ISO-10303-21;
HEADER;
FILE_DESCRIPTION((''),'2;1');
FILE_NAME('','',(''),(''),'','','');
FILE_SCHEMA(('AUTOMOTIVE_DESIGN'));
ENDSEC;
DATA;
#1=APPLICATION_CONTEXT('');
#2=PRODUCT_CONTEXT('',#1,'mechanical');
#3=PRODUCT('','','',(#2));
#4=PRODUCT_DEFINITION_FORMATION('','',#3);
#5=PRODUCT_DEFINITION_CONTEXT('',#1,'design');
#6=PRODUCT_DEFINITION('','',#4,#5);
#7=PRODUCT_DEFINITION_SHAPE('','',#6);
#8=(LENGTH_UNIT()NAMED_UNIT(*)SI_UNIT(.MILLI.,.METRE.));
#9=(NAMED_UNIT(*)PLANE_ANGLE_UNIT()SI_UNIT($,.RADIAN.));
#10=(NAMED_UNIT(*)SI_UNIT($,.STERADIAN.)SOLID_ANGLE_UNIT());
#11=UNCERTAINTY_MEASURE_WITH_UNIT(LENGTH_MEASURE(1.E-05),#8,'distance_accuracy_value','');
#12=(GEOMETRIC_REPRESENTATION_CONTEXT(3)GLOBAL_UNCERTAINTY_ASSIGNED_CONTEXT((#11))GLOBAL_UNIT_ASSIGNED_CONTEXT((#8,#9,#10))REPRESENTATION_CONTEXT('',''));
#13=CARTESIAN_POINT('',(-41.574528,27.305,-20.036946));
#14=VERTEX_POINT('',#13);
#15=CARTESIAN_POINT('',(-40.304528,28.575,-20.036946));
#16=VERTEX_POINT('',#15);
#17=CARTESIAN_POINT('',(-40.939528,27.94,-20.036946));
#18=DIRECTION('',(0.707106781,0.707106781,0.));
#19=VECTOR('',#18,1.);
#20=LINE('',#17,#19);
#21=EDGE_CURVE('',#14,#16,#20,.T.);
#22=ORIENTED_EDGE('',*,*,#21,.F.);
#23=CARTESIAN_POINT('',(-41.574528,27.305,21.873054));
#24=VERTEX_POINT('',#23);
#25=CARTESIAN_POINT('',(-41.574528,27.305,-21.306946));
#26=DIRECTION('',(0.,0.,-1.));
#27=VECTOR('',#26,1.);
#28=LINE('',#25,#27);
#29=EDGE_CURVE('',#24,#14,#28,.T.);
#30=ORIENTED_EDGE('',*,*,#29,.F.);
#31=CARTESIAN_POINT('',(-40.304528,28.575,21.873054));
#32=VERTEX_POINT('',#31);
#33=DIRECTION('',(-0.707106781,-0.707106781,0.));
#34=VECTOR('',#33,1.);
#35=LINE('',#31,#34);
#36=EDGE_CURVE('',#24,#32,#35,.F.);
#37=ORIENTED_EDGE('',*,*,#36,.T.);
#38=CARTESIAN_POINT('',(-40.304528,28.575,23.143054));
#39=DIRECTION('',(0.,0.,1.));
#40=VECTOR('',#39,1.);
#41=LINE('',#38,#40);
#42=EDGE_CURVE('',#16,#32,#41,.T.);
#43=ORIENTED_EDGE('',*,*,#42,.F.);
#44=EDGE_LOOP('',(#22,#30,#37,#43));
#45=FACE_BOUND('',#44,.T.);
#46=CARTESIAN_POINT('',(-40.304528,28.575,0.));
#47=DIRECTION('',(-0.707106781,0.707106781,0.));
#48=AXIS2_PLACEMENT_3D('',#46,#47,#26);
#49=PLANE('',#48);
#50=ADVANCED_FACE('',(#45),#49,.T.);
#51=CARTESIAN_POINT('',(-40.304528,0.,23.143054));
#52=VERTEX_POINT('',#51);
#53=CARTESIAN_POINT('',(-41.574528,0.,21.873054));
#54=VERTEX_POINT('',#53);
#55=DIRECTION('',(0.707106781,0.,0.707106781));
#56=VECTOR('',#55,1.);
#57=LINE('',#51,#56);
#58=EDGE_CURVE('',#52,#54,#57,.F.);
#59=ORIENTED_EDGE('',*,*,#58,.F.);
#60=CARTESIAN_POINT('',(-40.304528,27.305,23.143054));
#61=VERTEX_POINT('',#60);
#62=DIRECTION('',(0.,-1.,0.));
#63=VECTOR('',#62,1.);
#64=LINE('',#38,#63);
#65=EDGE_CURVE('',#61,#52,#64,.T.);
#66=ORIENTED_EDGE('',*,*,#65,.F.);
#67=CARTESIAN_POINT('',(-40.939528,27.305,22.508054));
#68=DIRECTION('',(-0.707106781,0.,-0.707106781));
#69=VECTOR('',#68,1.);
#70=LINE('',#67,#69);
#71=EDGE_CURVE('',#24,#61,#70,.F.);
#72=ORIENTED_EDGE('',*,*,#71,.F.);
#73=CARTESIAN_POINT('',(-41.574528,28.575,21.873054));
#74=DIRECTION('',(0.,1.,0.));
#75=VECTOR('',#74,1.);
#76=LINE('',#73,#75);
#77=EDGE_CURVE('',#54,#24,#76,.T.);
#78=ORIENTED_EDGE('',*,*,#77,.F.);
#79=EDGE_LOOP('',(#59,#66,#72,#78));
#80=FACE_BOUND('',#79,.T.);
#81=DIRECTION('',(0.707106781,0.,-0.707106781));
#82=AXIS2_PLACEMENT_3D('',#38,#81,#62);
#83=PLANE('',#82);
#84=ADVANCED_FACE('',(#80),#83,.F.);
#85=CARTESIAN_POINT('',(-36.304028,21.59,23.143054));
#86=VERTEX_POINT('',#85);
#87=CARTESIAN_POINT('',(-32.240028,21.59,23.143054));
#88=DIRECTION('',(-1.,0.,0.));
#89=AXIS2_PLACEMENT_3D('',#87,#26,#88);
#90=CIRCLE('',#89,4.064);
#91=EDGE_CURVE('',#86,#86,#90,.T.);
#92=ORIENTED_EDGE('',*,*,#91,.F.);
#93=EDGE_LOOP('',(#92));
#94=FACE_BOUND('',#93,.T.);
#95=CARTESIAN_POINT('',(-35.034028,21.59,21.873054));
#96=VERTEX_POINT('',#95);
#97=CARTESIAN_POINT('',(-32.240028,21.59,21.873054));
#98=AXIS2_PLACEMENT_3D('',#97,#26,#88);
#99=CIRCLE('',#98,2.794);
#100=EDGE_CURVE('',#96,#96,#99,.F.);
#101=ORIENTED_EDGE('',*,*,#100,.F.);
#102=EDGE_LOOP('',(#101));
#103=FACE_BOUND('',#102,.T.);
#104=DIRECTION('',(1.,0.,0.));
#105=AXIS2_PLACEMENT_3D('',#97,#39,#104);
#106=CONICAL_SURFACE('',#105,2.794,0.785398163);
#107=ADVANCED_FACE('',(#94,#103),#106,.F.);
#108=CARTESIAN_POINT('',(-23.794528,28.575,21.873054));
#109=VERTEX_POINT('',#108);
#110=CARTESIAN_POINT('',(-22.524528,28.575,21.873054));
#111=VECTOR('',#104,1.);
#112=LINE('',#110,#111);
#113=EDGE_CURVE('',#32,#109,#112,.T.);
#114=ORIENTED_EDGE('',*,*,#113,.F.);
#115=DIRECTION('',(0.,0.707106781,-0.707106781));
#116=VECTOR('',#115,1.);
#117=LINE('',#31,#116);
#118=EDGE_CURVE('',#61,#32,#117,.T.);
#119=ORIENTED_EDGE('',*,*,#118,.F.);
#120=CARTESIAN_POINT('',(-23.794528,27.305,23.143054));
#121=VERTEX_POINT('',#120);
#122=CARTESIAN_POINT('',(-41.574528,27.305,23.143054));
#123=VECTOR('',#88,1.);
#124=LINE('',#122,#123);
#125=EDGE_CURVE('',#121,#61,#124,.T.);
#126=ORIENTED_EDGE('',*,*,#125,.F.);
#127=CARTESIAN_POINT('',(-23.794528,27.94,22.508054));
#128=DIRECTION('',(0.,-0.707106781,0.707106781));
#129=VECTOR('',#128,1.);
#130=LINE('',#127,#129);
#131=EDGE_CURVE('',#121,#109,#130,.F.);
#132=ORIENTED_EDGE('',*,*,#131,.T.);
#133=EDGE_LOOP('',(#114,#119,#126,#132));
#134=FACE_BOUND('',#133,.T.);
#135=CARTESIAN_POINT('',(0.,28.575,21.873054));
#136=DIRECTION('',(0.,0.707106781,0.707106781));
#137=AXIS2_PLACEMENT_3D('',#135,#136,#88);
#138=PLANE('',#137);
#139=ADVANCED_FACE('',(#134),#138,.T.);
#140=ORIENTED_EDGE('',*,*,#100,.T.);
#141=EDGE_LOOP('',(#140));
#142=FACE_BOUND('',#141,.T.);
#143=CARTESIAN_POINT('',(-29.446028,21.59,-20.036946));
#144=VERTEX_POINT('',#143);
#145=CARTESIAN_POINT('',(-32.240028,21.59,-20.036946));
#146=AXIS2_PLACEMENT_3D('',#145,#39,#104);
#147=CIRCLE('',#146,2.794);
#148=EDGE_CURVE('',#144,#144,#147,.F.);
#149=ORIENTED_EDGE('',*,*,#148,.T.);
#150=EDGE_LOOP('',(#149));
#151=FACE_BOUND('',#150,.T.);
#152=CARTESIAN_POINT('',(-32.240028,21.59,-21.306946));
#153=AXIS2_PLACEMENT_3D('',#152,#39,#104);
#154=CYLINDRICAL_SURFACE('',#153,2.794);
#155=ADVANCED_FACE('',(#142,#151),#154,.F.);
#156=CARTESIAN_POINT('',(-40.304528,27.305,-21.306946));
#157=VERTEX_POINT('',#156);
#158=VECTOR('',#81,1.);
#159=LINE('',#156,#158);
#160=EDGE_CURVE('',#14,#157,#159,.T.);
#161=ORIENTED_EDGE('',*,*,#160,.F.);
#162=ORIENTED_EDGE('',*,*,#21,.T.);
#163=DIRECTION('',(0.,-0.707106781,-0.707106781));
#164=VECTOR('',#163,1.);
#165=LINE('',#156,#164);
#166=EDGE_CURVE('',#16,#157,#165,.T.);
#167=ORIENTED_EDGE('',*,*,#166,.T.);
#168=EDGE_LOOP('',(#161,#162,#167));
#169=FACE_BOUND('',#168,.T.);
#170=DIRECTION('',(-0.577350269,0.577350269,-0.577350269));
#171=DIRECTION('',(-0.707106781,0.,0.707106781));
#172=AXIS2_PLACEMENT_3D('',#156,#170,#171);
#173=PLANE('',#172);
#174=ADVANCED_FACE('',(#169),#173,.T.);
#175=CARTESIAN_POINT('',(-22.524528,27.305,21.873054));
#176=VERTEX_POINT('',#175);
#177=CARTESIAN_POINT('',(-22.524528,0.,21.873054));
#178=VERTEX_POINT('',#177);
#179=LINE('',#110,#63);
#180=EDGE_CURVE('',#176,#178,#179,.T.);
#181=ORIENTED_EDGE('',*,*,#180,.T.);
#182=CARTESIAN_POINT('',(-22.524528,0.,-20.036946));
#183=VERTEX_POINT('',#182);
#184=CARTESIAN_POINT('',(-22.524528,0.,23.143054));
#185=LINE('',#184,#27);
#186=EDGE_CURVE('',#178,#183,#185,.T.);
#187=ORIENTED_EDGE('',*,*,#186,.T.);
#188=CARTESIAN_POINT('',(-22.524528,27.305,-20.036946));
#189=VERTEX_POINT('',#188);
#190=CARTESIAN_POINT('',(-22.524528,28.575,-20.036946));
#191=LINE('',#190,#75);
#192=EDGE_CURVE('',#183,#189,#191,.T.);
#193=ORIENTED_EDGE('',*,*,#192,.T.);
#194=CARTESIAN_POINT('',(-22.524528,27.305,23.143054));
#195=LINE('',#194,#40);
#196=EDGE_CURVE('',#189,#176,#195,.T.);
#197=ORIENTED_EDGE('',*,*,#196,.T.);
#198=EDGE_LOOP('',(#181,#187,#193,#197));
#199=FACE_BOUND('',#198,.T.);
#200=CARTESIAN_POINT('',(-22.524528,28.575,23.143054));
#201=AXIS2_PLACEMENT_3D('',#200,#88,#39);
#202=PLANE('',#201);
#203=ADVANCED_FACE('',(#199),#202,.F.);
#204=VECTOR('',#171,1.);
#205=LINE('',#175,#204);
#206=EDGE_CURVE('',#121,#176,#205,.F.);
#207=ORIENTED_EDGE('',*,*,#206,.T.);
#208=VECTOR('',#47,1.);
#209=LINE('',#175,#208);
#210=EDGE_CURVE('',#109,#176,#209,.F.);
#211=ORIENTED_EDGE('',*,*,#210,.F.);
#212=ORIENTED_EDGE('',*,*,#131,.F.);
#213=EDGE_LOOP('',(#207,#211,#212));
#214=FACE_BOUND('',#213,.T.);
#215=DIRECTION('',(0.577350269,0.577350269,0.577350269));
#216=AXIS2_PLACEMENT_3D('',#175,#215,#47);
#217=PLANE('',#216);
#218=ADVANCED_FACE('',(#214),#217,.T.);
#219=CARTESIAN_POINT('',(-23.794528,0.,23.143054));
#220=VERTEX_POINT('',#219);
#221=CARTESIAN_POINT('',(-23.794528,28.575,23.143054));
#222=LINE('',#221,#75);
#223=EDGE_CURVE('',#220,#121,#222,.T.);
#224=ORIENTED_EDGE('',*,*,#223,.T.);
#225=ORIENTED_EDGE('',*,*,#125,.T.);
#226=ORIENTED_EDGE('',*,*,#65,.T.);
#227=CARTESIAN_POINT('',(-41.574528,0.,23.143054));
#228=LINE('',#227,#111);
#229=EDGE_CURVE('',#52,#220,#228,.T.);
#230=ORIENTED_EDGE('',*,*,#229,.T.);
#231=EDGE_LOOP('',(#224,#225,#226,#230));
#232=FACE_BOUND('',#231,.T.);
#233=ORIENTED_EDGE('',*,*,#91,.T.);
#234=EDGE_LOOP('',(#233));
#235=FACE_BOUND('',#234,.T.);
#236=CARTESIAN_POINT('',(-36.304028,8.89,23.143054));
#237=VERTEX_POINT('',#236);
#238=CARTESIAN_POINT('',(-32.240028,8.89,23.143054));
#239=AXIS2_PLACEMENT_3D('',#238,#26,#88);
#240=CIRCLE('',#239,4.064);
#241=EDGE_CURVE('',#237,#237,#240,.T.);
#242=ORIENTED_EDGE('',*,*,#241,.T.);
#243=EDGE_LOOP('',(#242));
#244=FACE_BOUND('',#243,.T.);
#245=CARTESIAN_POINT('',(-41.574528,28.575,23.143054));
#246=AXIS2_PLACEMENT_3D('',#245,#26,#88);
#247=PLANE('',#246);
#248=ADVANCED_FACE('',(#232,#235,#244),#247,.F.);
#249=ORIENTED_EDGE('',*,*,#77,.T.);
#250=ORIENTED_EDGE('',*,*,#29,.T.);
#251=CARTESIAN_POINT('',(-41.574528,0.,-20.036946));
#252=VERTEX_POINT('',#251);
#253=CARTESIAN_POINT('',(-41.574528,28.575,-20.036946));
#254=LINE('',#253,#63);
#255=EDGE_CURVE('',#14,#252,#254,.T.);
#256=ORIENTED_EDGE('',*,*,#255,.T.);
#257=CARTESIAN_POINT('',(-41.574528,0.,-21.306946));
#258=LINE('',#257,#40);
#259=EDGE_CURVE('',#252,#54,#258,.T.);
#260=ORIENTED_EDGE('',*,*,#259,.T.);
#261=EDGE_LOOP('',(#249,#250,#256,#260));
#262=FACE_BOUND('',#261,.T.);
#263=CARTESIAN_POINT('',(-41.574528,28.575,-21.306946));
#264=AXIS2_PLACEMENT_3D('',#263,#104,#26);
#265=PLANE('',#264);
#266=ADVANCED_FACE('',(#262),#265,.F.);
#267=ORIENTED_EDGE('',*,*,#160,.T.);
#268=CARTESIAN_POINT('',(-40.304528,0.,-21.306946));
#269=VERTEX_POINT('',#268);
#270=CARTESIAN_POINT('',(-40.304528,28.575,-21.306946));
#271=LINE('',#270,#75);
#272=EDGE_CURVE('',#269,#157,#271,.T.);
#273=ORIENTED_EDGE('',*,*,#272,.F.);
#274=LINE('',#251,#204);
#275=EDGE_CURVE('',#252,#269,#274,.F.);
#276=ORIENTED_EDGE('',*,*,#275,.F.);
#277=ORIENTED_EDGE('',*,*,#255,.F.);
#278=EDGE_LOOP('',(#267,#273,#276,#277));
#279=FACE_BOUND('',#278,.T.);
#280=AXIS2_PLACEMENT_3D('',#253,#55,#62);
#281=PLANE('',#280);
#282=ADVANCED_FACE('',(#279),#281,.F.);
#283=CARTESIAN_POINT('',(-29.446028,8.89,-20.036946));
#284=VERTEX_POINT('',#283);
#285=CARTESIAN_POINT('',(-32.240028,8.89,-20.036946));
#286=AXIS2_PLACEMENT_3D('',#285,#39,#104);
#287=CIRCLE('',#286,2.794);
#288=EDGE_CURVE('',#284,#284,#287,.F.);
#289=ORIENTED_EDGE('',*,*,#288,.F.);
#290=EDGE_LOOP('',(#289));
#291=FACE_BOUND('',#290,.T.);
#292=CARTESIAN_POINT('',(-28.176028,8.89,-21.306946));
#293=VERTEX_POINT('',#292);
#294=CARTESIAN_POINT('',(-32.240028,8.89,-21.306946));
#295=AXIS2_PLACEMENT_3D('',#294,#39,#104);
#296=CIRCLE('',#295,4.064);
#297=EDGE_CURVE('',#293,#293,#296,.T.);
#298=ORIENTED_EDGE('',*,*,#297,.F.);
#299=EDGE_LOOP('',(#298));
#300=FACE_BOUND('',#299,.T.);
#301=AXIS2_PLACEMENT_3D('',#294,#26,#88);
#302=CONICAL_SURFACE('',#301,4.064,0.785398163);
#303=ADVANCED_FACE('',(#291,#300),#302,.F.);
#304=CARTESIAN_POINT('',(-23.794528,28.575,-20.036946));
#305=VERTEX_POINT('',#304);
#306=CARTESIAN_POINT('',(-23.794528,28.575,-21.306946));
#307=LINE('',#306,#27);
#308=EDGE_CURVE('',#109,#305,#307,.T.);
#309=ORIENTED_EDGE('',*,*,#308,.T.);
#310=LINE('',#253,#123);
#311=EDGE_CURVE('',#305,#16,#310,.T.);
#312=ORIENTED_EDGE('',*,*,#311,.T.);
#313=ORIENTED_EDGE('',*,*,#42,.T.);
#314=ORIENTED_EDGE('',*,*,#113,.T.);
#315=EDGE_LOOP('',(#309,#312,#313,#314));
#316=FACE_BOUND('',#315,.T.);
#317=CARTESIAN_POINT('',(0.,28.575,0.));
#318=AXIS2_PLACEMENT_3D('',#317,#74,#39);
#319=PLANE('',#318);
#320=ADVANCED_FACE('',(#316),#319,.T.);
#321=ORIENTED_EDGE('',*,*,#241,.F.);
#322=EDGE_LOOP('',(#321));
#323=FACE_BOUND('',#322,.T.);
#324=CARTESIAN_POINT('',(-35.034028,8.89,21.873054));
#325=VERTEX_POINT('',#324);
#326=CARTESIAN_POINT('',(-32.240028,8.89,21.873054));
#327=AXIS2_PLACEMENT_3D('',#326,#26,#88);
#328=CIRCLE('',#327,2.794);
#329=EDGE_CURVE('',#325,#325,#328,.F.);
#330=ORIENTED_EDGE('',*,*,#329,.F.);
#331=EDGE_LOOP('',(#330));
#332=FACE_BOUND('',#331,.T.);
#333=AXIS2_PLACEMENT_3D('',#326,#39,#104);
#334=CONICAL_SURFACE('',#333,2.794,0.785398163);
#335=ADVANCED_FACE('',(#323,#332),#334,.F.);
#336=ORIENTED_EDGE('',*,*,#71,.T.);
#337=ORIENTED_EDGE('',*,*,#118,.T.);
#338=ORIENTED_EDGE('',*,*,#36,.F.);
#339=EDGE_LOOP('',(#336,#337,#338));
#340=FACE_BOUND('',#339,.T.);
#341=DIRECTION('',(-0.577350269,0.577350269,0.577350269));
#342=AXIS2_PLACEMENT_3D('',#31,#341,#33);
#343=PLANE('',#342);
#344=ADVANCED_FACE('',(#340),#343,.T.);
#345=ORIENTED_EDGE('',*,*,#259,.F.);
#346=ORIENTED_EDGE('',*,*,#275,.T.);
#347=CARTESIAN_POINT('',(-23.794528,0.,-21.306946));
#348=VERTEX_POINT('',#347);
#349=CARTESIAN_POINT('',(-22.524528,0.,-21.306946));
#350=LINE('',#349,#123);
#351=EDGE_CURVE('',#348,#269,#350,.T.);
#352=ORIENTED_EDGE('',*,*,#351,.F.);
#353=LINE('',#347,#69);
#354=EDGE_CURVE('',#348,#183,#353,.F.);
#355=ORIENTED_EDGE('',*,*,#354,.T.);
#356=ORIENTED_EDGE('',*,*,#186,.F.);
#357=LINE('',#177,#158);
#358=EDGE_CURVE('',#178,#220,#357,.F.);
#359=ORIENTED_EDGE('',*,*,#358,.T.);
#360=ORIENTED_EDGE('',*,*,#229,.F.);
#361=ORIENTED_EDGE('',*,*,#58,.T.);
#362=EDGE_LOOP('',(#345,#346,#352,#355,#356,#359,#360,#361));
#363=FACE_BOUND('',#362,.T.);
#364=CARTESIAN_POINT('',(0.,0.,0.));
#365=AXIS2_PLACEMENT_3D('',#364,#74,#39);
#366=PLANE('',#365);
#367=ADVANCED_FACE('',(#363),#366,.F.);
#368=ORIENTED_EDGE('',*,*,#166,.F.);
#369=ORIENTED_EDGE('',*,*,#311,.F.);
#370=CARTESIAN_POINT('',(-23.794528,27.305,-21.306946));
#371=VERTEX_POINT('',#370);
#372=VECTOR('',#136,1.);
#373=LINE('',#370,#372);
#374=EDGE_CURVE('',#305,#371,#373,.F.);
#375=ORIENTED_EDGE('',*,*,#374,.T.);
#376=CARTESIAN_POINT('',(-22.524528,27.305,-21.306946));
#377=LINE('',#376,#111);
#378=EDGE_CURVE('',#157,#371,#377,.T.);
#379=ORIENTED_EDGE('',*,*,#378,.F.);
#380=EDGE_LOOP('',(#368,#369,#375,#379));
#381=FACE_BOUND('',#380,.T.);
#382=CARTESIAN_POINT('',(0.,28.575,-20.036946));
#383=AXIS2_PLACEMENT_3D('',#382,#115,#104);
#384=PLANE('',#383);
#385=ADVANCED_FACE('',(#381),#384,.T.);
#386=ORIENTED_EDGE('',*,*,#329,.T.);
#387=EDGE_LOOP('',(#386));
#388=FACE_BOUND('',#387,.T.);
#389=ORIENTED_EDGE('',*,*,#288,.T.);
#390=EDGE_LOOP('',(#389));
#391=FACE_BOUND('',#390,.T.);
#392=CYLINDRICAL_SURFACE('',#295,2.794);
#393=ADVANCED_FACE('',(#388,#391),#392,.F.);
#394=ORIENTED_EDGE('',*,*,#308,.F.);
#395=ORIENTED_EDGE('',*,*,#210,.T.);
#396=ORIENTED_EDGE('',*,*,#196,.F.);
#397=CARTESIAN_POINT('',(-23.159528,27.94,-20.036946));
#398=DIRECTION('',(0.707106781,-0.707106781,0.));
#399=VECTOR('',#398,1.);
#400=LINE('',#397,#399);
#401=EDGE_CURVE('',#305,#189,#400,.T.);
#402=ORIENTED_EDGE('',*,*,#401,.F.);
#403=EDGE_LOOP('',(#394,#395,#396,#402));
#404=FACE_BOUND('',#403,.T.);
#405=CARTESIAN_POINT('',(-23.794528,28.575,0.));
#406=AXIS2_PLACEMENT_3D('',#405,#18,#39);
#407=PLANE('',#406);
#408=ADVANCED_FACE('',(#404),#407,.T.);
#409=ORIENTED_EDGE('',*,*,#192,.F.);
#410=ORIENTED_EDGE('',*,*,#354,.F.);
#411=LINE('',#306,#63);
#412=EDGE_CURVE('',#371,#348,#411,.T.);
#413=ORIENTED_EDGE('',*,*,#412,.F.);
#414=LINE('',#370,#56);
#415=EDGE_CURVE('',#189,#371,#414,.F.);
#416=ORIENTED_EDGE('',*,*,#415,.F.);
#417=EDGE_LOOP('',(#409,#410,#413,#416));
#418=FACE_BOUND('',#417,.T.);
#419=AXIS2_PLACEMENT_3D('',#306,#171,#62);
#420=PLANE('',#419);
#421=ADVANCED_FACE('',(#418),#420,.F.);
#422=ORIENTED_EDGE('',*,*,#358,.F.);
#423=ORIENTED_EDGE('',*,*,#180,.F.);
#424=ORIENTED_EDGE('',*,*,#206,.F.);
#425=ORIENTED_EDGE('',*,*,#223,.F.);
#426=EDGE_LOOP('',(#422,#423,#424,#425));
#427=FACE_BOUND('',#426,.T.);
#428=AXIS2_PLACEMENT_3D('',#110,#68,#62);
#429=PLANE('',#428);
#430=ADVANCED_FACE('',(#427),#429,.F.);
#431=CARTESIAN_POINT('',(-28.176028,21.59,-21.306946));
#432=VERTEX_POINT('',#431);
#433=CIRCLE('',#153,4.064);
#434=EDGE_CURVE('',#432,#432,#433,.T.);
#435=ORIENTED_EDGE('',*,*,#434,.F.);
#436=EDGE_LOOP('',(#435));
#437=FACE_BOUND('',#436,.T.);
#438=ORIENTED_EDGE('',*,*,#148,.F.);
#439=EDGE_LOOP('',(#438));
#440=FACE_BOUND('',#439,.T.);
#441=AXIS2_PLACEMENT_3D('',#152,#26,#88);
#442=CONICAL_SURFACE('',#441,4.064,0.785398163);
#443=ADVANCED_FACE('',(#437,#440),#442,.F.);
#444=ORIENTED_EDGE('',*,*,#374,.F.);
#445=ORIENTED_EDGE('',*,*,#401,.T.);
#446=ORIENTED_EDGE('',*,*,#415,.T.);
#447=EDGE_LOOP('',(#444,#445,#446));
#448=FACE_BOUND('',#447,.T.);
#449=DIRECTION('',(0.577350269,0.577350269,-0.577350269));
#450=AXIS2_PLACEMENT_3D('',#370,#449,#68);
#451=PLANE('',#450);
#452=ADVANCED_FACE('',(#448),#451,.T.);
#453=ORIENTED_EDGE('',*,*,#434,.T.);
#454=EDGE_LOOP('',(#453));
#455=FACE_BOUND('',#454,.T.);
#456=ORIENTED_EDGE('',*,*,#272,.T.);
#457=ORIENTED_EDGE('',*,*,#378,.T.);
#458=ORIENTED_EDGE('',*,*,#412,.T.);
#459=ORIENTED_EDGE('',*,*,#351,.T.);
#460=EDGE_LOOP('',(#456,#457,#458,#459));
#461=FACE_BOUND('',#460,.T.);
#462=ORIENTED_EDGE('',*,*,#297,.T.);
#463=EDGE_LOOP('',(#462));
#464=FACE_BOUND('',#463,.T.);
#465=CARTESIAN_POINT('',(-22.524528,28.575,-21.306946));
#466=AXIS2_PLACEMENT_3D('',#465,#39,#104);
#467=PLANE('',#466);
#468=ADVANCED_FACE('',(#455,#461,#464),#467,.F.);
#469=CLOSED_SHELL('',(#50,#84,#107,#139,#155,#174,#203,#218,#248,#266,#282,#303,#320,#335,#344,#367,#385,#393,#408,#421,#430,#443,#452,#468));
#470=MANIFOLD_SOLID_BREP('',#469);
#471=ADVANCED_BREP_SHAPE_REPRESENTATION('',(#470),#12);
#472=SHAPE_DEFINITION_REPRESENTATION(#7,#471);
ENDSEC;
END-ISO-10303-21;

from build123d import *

# Parameters (mm, degrees)
SKETCH1_W           = 19.05
SKETCH1_H           = 44.45
BOSS_EXTRUDE1_DEPTH = 28.575
SKETCH3_R           = 2.794
CUT_EXTRUDE2_DEPTH  = 68.236705218
CHAMFER2_SIZE       = 1.27


with BuildPart() as part:
    # Sketch1 → Boss-Extrude1 (new body)
    with BuildSketch(Plane(origin=(0, 0, 0), x_dir=(1, 0, 0), z_dir=(0, 1, 0))):
        with Locations((-32.049528302, -0.918054245)):
            Rectangle(SKETCH1_W, SKETCH1_H)
    extrude(amount=BOSS_EXTRUDE1_DEPTH)

    # Sketch3 → Cut-Extrude2 (cut, through all)
    with BuildSketch(Plane.XY.offset(23.143054245)):
        with Locations((-32.240028302, 34.29)):
            Circle(SKETCH3_R)
        with Locations((-32.240028302, 21.59)):
            Circle(SKETCH3_R)
        with Locations((-32.240028302, 8.89)):
            Circle(SKETCH3_R)
    extrude(amount=-CUT_EXTRUDE2_DEPTH, mode=Mode.SUBTRACT)

    # Chamfer2
    chamfer2_edges = [part.edges().sort_by_distance(p)[0] for p in [
        (-32.049528302, 28.575, 23.143054245),
        (-22.524528302, 28.575, 0.918054245),
        (-35.034028302, 21.59, -21.306945755),
        (-35.034028302, 21.59, 23.143054245),
        (-35.034028302, 8.89, -21.306945755),
        (-35.034028302, 8.89, 23.143054245),
        (-32.049528302, 28.575, -21.306945755),
        (-22.524528302, 14.2875, -21.306945755),
        (-22.524528302, 14.2875, 23.143054245),
        (-41.574528302, 14.2875, 23.143054245),
        (-41.574528302, 14.2875, -21.306945755),
        (-41.574528302, 28.575, 0.918054245),
    ]]
    chamfer(chamfer2_edges, length=CHAMFER2_SIZE)


solid = part.part
